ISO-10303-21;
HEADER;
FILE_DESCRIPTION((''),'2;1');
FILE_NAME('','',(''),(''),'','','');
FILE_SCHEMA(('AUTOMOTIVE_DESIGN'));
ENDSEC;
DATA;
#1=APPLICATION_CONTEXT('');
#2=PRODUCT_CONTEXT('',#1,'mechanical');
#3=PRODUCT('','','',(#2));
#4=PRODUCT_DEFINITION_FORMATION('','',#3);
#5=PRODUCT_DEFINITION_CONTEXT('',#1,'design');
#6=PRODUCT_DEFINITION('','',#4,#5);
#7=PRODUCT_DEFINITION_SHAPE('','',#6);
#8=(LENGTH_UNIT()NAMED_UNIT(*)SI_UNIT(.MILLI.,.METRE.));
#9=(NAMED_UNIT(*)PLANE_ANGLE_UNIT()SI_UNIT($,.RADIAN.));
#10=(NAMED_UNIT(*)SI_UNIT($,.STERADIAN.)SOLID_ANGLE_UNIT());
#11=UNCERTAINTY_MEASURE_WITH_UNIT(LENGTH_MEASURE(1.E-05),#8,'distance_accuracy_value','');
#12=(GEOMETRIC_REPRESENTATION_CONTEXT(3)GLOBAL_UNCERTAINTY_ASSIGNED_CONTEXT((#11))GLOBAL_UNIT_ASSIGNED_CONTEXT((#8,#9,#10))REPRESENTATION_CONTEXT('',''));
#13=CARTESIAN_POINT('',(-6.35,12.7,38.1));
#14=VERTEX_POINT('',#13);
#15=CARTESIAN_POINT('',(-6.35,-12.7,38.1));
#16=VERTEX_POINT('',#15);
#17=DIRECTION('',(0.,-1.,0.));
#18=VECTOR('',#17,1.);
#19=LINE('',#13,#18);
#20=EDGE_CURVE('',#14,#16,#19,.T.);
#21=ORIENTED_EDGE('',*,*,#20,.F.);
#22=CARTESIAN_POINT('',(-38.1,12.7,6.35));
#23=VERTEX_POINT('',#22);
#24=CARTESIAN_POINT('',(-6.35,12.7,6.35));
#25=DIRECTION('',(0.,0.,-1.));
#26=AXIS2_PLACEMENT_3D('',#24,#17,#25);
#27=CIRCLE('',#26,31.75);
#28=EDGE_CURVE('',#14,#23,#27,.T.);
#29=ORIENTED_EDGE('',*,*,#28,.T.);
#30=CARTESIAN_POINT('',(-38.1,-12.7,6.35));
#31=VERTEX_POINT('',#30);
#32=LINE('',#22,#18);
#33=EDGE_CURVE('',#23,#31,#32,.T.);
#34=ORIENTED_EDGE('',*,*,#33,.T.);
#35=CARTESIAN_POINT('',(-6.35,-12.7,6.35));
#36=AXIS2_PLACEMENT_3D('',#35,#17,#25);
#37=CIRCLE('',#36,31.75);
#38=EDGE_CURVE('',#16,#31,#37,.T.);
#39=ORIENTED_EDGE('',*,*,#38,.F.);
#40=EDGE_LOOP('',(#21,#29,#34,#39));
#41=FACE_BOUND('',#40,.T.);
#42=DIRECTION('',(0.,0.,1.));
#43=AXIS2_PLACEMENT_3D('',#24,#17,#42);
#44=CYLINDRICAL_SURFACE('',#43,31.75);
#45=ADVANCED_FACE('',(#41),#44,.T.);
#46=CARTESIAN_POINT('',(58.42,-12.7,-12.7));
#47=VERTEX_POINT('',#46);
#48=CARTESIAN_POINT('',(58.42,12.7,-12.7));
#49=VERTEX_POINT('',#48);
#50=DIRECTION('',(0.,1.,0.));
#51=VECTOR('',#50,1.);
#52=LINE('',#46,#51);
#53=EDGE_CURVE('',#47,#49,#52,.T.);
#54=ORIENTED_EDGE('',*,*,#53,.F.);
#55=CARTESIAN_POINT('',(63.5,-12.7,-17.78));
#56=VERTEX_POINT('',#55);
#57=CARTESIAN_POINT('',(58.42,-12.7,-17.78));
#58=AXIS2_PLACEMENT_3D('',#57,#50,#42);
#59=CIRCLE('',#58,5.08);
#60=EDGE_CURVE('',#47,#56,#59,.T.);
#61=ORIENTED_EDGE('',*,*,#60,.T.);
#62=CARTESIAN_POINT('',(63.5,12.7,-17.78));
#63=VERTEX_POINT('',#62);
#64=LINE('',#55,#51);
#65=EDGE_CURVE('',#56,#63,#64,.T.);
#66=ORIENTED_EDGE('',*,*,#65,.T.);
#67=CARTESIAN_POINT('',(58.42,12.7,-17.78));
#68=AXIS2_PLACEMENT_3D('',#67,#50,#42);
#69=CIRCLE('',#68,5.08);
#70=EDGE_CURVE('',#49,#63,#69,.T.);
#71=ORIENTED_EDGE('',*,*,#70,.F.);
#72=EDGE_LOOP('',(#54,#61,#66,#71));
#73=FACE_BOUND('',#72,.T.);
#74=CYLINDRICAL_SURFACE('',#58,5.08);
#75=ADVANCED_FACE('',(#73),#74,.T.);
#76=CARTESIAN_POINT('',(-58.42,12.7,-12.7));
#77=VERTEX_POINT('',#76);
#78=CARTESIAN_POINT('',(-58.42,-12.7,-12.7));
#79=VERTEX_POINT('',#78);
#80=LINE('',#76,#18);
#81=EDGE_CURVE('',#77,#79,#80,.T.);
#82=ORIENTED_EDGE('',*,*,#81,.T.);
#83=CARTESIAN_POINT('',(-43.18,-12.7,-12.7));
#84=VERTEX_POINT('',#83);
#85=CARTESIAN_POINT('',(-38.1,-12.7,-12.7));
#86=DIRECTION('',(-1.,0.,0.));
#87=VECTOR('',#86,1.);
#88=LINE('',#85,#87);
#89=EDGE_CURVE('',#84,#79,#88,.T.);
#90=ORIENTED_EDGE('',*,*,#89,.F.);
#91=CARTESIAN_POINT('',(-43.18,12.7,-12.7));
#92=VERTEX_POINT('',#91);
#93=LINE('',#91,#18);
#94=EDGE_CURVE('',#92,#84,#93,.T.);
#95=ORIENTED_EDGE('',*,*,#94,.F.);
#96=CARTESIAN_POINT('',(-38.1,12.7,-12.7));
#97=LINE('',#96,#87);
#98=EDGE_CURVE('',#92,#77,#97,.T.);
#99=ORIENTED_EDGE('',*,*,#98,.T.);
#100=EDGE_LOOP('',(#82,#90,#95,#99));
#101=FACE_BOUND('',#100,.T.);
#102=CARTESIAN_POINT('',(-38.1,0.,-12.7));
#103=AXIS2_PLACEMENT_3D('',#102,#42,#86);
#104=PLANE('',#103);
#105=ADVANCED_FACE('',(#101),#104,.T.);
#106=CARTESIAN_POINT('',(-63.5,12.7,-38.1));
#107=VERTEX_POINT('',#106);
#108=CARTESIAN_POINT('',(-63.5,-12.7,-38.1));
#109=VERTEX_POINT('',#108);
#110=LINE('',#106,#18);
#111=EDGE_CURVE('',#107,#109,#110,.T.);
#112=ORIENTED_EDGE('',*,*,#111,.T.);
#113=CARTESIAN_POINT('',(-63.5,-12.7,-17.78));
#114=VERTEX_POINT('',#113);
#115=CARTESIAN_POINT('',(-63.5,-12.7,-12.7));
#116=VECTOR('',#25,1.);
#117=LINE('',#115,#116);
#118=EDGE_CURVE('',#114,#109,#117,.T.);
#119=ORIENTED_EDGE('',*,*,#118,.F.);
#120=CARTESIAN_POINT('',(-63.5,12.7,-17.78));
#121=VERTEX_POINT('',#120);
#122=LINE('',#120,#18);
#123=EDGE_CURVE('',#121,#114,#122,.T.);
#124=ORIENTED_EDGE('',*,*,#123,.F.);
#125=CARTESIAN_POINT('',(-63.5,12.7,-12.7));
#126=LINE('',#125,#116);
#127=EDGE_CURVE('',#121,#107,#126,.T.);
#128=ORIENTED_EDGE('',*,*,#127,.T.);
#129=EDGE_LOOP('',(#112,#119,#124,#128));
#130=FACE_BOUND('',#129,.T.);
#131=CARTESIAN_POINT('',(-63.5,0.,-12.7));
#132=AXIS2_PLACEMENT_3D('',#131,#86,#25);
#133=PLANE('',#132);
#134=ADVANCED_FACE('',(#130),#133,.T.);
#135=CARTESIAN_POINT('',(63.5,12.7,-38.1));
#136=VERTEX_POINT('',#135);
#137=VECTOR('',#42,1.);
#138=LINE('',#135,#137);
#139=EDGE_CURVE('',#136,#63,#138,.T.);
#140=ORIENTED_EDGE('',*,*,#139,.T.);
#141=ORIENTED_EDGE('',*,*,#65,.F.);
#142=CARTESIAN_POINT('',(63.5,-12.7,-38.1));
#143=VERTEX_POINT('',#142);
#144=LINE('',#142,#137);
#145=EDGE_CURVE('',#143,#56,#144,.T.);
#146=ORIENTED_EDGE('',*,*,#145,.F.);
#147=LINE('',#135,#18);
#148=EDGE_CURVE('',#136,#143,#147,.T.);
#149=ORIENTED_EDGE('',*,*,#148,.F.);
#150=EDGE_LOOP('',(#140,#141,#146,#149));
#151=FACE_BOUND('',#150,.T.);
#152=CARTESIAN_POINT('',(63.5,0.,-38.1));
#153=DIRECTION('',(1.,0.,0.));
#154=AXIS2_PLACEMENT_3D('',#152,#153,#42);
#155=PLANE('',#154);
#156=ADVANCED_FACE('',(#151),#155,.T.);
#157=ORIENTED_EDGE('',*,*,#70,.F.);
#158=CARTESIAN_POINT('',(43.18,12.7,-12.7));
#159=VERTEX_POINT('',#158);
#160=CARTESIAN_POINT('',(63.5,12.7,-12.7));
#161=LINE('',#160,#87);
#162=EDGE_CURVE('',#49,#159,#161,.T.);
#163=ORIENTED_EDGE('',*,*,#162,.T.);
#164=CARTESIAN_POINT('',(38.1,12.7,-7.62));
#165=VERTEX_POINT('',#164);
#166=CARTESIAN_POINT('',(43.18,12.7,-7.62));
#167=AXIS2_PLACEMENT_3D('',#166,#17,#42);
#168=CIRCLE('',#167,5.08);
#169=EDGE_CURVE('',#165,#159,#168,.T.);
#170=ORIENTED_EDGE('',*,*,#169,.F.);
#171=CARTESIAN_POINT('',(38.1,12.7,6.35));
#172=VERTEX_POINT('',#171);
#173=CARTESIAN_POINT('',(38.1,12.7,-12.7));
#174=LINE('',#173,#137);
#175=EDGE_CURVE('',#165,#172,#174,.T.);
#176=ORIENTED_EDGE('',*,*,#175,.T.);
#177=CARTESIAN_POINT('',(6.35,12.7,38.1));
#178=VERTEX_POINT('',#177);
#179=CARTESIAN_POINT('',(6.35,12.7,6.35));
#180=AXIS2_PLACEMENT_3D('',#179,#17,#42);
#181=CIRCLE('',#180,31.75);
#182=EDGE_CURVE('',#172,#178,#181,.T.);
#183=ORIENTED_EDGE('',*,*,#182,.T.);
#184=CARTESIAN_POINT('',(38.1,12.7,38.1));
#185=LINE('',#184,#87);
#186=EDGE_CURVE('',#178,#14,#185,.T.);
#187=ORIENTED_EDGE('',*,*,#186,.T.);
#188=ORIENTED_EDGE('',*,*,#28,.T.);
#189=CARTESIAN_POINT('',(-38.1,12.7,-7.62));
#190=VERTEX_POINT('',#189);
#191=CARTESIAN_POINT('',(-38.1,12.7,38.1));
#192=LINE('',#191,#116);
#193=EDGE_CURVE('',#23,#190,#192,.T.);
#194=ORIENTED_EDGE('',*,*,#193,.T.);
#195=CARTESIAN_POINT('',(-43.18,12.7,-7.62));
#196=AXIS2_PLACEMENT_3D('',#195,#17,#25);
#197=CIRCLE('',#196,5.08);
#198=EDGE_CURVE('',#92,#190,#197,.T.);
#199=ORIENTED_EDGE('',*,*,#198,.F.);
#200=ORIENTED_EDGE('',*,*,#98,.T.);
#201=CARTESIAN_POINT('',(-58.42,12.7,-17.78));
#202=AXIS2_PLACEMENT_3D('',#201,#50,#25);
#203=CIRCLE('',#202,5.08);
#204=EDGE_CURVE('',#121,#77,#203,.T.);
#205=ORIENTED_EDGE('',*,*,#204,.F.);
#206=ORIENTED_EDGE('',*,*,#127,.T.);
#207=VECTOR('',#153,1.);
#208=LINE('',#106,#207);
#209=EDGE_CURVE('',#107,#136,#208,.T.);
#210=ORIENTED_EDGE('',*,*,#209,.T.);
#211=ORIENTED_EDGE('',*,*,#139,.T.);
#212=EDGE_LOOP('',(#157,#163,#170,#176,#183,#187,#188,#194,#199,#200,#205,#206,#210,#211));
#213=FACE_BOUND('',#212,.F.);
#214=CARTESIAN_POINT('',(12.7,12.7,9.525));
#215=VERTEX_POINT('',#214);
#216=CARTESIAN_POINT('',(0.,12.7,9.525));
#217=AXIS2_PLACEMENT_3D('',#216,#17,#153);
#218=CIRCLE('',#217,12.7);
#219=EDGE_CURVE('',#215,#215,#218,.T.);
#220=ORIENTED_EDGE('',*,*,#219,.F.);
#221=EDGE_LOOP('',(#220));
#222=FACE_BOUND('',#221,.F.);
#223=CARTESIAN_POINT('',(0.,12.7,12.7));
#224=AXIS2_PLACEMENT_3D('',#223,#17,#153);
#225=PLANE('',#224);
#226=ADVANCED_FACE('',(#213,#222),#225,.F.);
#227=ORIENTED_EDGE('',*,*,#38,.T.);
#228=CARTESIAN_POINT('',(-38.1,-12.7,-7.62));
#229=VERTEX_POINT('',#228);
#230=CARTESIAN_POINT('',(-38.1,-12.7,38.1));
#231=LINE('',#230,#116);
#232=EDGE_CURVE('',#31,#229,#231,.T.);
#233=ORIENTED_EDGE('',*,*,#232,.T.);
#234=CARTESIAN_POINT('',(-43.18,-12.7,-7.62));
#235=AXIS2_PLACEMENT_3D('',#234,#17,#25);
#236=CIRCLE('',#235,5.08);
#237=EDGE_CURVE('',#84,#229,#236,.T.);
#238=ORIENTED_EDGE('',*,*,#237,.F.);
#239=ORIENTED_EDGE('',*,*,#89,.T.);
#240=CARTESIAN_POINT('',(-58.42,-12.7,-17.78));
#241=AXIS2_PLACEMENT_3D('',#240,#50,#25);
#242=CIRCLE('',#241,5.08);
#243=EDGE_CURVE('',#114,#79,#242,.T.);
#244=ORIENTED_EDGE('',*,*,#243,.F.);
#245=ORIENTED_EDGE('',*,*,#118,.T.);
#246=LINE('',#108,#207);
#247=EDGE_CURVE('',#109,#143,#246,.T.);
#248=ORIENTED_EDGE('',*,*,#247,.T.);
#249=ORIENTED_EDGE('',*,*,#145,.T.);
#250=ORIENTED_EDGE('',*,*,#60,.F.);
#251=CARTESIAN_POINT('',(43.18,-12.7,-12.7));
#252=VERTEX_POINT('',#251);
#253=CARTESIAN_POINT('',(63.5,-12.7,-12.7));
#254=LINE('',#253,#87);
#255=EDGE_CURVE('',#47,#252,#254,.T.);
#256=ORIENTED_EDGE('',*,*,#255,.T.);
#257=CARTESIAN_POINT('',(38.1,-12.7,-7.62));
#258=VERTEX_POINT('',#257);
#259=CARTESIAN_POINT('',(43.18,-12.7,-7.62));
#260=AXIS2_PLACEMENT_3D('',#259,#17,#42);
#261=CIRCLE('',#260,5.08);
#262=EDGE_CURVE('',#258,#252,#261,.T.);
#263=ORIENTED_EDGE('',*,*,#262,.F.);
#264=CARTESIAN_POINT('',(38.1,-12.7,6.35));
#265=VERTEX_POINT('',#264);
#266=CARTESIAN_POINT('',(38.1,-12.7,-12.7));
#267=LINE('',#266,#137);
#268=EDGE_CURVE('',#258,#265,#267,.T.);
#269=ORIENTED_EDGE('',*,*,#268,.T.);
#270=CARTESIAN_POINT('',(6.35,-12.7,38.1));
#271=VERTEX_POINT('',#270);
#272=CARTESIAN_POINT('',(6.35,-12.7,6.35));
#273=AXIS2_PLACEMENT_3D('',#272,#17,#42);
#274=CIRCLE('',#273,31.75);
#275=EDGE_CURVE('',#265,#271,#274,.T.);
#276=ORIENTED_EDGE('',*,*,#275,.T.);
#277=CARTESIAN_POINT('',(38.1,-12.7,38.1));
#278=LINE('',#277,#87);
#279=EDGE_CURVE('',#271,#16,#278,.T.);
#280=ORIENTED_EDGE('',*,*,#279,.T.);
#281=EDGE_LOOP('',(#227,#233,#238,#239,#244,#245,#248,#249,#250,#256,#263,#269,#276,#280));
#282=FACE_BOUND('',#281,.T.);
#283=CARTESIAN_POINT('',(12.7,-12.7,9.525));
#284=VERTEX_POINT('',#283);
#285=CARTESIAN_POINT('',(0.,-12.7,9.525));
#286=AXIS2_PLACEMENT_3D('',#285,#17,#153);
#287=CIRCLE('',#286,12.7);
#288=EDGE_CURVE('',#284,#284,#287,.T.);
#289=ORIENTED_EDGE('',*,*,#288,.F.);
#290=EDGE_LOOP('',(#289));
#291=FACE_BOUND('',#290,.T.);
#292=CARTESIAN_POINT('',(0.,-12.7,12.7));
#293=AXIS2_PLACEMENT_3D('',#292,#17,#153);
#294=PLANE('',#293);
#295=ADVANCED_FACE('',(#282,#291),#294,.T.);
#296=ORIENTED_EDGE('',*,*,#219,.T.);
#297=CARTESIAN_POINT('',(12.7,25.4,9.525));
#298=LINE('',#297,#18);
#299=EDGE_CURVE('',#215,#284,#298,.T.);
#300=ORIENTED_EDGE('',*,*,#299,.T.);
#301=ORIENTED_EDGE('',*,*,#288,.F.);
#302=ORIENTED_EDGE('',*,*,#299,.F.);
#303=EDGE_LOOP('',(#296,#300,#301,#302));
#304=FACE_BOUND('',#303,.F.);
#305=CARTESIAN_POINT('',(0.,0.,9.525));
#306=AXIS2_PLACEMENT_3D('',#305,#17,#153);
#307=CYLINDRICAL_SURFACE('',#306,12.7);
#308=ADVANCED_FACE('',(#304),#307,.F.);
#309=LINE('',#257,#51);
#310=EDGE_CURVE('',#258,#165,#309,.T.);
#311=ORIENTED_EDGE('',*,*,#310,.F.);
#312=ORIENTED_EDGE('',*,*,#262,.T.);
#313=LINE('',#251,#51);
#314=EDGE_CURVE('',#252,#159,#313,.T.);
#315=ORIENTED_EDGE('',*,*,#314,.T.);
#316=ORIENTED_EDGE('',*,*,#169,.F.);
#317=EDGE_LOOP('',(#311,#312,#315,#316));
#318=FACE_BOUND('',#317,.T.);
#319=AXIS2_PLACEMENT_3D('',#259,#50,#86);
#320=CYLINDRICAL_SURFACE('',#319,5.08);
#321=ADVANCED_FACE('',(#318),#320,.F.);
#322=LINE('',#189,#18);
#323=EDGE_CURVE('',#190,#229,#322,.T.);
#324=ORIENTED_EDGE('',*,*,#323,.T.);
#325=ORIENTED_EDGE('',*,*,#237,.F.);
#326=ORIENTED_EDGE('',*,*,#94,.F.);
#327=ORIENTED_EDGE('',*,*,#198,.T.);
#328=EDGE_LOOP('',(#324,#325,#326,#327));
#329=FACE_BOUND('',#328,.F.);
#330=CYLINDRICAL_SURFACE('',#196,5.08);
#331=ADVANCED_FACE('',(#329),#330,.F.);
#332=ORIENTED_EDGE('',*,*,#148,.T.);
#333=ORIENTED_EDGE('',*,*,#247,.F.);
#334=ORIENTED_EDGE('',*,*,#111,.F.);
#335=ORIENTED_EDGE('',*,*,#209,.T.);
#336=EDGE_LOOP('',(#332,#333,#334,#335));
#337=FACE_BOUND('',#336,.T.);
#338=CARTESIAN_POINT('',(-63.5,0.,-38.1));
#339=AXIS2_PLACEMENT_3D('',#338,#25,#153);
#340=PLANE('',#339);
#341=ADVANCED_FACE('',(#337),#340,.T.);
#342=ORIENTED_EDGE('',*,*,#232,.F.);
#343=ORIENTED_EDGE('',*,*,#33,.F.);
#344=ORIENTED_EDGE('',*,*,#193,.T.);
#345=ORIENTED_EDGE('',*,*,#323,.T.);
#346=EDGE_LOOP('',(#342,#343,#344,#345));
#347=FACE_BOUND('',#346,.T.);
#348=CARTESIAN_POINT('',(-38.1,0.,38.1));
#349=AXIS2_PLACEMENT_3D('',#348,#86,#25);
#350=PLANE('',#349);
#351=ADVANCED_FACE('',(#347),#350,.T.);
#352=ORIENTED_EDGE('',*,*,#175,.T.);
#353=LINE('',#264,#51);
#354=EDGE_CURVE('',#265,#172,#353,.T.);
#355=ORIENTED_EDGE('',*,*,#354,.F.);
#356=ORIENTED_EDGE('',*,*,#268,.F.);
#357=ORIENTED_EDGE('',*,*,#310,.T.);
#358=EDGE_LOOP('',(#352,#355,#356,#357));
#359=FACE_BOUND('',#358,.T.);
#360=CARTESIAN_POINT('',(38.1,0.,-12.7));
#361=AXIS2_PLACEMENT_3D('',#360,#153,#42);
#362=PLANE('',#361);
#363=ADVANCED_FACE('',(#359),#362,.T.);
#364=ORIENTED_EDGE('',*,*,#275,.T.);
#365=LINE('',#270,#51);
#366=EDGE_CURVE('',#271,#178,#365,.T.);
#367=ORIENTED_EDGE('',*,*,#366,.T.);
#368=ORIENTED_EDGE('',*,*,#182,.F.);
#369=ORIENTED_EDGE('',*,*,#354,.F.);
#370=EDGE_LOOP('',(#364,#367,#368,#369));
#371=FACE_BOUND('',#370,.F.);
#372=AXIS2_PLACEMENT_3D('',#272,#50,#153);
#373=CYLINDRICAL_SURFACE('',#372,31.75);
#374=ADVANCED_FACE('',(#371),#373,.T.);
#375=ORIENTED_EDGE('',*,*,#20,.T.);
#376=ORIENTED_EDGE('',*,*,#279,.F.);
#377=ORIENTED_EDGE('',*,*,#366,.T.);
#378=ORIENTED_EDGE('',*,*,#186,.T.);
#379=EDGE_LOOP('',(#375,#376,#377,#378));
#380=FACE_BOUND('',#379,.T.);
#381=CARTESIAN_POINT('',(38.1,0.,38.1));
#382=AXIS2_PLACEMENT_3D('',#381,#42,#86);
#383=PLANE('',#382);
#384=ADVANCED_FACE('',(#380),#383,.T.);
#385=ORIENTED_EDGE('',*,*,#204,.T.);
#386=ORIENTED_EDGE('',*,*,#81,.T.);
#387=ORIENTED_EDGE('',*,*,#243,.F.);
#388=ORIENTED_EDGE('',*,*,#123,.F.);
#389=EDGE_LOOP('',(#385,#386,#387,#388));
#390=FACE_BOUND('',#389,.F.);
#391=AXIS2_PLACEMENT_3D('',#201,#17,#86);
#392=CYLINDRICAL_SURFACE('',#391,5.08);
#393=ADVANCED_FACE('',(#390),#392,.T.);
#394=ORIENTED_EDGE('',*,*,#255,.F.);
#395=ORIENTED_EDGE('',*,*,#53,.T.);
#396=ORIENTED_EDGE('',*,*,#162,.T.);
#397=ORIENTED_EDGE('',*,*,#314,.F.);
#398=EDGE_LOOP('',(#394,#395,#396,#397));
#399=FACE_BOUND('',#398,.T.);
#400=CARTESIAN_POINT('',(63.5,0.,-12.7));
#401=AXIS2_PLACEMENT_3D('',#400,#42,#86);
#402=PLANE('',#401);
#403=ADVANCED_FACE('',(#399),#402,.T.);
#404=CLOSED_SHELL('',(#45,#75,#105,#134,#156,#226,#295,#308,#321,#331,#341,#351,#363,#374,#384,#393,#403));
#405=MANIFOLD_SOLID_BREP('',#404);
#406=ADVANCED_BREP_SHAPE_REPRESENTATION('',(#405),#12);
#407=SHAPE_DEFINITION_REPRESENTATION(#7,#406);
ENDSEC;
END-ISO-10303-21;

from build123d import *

# Parameters (mm, degrees)
F1_DEPTH = 12.7
F2_R     = 5.08
F3_R     = 31.75
F4_R     = 12.7
F5_DEPTH = 25.4


with BuildPart() as f1:
    # F0 (on Front) → F1 (new body, symmetric)
    with BuildSketch(Plane.XZ):
        Polygon((38.1, 38.1), (-38.1, 38.1), (-38.1, -12.7), (0, -12.7), (38.1, -12.7), align=None)
        Polygon((-38.1, -12.7), (-63.5, -12.7), (-63.5, -38.1), (63.5, -38.1), (63.5, -12.7), (38.1, -12.7), (0, -12.7), align=None)
    extrude(amount=F1_DEPTH, both=True)

    # F2
    f2_edges = [f1.edges().sort_by_distance(p)[0] for p in [
        (-63.5, 0, -12.7),
        (63.5, 0, -12.7),
        (-38.1, 0, -12.7),
        (38.1, 0, -12.7),
    ]]
    fillet(f2_edges, radius=F2_R)

    # F3
    f3_edges = [f1.edges().sort_by_distance(p)[0] for p in [
        (-38.1, 0, 38.1),
        (38.1, 0, 38.1),
    ]]
    fillet(f3_edges, radius=F3_R)

    # F4 (on Front) → F5 (cut, symmetric)
    with BuildSketch(Plane.XZ):
        with Locations((0, 9.525)):
            Circle(F4_R)
    extrude(amount=F5_DEPTH, both=True, mode=Mode.SUBTRACT)


solid = f1.part
